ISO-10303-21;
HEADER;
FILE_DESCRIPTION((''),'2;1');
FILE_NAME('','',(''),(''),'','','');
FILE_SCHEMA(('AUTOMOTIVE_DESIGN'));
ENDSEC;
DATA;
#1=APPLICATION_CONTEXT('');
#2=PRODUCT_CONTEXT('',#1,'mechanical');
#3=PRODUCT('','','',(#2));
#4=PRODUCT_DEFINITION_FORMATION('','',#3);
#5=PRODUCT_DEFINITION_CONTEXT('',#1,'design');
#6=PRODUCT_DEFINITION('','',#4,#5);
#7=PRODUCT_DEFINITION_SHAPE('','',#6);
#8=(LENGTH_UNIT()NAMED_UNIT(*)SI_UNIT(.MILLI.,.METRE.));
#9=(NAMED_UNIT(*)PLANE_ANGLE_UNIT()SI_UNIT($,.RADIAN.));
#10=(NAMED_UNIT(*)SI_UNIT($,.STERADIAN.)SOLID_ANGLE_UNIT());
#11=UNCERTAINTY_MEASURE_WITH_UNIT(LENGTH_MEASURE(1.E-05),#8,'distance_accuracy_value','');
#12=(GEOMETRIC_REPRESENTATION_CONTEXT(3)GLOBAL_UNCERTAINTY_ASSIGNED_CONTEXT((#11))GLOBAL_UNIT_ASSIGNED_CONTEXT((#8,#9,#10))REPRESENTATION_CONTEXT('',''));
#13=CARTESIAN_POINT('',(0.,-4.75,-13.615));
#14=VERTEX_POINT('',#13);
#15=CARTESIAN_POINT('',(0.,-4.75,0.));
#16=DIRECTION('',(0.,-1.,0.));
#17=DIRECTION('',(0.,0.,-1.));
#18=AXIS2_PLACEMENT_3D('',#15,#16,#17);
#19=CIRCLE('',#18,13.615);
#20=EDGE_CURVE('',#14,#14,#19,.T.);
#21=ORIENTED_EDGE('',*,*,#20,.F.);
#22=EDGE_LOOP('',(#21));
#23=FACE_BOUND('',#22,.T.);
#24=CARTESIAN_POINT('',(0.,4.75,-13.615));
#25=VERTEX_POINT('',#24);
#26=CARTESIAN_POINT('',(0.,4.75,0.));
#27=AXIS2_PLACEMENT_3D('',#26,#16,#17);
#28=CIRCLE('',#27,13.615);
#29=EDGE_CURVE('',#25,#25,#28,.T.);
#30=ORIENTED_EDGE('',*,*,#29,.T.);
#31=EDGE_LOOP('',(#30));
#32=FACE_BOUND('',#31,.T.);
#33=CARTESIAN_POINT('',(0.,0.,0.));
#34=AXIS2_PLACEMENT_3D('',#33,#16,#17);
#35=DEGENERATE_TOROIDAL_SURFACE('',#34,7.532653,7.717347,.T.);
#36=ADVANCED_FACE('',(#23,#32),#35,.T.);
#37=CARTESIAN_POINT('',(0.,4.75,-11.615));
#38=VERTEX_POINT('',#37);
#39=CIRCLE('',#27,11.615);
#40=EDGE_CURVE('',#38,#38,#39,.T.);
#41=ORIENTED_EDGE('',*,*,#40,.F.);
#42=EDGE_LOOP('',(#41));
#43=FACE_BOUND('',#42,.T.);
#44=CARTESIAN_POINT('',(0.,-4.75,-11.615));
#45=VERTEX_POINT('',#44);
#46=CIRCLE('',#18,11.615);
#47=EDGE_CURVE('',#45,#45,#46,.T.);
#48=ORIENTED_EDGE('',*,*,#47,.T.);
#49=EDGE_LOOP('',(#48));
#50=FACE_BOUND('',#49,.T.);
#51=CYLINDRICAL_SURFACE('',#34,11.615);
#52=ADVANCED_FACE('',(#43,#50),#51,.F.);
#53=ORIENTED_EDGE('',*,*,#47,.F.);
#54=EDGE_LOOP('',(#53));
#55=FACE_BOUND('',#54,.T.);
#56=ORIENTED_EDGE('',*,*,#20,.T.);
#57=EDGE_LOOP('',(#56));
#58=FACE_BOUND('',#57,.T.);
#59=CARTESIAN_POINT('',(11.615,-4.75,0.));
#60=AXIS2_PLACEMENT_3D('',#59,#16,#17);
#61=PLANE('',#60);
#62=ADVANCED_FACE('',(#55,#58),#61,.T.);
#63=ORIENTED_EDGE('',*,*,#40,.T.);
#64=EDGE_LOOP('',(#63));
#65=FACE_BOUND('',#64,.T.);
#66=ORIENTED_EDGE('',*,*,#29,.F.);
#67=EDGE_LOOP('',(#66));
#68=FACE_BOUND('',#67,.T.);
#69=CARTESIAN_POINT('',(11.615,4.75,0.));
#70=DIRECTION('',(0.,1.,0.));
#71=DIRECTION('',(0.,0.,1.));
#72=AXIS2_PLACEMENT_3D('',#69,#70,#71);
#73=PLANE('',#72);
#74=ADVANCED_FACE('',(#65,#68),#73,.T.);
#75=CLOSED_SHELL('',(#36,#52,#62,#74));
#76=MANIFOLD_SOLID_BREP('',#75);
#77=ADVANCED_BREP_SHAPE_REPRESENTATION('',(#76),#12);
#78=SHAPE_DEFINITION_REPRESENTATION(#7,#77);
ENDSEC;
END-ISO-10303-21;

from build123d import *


with BuildPart() as part:
    # Sketch2 → Revolve1 (revolve)
    with BuildSketch(Plane.XY, mode=Mode.PRIVATE) as revolve1_sk:
        with BuildLine():
            Line((11.615, 4.75), (13.615, 4.75))
            ThreePointArc((13.615, 4.75), (15.25, 0), (13.615, -4.75))
            Line((13.615, -4.75), (11.615, -4.75))
            Line((11.615, -4.75), (11.615, 4.75))
        make_face()
    revolve(revolve1_sk.sketch.rotate(Axis((0, 0, 0), (0, 1, 0)), 90), axis=Axis((0, 0, 0), (0, 1, 0)))


solid = part.part
